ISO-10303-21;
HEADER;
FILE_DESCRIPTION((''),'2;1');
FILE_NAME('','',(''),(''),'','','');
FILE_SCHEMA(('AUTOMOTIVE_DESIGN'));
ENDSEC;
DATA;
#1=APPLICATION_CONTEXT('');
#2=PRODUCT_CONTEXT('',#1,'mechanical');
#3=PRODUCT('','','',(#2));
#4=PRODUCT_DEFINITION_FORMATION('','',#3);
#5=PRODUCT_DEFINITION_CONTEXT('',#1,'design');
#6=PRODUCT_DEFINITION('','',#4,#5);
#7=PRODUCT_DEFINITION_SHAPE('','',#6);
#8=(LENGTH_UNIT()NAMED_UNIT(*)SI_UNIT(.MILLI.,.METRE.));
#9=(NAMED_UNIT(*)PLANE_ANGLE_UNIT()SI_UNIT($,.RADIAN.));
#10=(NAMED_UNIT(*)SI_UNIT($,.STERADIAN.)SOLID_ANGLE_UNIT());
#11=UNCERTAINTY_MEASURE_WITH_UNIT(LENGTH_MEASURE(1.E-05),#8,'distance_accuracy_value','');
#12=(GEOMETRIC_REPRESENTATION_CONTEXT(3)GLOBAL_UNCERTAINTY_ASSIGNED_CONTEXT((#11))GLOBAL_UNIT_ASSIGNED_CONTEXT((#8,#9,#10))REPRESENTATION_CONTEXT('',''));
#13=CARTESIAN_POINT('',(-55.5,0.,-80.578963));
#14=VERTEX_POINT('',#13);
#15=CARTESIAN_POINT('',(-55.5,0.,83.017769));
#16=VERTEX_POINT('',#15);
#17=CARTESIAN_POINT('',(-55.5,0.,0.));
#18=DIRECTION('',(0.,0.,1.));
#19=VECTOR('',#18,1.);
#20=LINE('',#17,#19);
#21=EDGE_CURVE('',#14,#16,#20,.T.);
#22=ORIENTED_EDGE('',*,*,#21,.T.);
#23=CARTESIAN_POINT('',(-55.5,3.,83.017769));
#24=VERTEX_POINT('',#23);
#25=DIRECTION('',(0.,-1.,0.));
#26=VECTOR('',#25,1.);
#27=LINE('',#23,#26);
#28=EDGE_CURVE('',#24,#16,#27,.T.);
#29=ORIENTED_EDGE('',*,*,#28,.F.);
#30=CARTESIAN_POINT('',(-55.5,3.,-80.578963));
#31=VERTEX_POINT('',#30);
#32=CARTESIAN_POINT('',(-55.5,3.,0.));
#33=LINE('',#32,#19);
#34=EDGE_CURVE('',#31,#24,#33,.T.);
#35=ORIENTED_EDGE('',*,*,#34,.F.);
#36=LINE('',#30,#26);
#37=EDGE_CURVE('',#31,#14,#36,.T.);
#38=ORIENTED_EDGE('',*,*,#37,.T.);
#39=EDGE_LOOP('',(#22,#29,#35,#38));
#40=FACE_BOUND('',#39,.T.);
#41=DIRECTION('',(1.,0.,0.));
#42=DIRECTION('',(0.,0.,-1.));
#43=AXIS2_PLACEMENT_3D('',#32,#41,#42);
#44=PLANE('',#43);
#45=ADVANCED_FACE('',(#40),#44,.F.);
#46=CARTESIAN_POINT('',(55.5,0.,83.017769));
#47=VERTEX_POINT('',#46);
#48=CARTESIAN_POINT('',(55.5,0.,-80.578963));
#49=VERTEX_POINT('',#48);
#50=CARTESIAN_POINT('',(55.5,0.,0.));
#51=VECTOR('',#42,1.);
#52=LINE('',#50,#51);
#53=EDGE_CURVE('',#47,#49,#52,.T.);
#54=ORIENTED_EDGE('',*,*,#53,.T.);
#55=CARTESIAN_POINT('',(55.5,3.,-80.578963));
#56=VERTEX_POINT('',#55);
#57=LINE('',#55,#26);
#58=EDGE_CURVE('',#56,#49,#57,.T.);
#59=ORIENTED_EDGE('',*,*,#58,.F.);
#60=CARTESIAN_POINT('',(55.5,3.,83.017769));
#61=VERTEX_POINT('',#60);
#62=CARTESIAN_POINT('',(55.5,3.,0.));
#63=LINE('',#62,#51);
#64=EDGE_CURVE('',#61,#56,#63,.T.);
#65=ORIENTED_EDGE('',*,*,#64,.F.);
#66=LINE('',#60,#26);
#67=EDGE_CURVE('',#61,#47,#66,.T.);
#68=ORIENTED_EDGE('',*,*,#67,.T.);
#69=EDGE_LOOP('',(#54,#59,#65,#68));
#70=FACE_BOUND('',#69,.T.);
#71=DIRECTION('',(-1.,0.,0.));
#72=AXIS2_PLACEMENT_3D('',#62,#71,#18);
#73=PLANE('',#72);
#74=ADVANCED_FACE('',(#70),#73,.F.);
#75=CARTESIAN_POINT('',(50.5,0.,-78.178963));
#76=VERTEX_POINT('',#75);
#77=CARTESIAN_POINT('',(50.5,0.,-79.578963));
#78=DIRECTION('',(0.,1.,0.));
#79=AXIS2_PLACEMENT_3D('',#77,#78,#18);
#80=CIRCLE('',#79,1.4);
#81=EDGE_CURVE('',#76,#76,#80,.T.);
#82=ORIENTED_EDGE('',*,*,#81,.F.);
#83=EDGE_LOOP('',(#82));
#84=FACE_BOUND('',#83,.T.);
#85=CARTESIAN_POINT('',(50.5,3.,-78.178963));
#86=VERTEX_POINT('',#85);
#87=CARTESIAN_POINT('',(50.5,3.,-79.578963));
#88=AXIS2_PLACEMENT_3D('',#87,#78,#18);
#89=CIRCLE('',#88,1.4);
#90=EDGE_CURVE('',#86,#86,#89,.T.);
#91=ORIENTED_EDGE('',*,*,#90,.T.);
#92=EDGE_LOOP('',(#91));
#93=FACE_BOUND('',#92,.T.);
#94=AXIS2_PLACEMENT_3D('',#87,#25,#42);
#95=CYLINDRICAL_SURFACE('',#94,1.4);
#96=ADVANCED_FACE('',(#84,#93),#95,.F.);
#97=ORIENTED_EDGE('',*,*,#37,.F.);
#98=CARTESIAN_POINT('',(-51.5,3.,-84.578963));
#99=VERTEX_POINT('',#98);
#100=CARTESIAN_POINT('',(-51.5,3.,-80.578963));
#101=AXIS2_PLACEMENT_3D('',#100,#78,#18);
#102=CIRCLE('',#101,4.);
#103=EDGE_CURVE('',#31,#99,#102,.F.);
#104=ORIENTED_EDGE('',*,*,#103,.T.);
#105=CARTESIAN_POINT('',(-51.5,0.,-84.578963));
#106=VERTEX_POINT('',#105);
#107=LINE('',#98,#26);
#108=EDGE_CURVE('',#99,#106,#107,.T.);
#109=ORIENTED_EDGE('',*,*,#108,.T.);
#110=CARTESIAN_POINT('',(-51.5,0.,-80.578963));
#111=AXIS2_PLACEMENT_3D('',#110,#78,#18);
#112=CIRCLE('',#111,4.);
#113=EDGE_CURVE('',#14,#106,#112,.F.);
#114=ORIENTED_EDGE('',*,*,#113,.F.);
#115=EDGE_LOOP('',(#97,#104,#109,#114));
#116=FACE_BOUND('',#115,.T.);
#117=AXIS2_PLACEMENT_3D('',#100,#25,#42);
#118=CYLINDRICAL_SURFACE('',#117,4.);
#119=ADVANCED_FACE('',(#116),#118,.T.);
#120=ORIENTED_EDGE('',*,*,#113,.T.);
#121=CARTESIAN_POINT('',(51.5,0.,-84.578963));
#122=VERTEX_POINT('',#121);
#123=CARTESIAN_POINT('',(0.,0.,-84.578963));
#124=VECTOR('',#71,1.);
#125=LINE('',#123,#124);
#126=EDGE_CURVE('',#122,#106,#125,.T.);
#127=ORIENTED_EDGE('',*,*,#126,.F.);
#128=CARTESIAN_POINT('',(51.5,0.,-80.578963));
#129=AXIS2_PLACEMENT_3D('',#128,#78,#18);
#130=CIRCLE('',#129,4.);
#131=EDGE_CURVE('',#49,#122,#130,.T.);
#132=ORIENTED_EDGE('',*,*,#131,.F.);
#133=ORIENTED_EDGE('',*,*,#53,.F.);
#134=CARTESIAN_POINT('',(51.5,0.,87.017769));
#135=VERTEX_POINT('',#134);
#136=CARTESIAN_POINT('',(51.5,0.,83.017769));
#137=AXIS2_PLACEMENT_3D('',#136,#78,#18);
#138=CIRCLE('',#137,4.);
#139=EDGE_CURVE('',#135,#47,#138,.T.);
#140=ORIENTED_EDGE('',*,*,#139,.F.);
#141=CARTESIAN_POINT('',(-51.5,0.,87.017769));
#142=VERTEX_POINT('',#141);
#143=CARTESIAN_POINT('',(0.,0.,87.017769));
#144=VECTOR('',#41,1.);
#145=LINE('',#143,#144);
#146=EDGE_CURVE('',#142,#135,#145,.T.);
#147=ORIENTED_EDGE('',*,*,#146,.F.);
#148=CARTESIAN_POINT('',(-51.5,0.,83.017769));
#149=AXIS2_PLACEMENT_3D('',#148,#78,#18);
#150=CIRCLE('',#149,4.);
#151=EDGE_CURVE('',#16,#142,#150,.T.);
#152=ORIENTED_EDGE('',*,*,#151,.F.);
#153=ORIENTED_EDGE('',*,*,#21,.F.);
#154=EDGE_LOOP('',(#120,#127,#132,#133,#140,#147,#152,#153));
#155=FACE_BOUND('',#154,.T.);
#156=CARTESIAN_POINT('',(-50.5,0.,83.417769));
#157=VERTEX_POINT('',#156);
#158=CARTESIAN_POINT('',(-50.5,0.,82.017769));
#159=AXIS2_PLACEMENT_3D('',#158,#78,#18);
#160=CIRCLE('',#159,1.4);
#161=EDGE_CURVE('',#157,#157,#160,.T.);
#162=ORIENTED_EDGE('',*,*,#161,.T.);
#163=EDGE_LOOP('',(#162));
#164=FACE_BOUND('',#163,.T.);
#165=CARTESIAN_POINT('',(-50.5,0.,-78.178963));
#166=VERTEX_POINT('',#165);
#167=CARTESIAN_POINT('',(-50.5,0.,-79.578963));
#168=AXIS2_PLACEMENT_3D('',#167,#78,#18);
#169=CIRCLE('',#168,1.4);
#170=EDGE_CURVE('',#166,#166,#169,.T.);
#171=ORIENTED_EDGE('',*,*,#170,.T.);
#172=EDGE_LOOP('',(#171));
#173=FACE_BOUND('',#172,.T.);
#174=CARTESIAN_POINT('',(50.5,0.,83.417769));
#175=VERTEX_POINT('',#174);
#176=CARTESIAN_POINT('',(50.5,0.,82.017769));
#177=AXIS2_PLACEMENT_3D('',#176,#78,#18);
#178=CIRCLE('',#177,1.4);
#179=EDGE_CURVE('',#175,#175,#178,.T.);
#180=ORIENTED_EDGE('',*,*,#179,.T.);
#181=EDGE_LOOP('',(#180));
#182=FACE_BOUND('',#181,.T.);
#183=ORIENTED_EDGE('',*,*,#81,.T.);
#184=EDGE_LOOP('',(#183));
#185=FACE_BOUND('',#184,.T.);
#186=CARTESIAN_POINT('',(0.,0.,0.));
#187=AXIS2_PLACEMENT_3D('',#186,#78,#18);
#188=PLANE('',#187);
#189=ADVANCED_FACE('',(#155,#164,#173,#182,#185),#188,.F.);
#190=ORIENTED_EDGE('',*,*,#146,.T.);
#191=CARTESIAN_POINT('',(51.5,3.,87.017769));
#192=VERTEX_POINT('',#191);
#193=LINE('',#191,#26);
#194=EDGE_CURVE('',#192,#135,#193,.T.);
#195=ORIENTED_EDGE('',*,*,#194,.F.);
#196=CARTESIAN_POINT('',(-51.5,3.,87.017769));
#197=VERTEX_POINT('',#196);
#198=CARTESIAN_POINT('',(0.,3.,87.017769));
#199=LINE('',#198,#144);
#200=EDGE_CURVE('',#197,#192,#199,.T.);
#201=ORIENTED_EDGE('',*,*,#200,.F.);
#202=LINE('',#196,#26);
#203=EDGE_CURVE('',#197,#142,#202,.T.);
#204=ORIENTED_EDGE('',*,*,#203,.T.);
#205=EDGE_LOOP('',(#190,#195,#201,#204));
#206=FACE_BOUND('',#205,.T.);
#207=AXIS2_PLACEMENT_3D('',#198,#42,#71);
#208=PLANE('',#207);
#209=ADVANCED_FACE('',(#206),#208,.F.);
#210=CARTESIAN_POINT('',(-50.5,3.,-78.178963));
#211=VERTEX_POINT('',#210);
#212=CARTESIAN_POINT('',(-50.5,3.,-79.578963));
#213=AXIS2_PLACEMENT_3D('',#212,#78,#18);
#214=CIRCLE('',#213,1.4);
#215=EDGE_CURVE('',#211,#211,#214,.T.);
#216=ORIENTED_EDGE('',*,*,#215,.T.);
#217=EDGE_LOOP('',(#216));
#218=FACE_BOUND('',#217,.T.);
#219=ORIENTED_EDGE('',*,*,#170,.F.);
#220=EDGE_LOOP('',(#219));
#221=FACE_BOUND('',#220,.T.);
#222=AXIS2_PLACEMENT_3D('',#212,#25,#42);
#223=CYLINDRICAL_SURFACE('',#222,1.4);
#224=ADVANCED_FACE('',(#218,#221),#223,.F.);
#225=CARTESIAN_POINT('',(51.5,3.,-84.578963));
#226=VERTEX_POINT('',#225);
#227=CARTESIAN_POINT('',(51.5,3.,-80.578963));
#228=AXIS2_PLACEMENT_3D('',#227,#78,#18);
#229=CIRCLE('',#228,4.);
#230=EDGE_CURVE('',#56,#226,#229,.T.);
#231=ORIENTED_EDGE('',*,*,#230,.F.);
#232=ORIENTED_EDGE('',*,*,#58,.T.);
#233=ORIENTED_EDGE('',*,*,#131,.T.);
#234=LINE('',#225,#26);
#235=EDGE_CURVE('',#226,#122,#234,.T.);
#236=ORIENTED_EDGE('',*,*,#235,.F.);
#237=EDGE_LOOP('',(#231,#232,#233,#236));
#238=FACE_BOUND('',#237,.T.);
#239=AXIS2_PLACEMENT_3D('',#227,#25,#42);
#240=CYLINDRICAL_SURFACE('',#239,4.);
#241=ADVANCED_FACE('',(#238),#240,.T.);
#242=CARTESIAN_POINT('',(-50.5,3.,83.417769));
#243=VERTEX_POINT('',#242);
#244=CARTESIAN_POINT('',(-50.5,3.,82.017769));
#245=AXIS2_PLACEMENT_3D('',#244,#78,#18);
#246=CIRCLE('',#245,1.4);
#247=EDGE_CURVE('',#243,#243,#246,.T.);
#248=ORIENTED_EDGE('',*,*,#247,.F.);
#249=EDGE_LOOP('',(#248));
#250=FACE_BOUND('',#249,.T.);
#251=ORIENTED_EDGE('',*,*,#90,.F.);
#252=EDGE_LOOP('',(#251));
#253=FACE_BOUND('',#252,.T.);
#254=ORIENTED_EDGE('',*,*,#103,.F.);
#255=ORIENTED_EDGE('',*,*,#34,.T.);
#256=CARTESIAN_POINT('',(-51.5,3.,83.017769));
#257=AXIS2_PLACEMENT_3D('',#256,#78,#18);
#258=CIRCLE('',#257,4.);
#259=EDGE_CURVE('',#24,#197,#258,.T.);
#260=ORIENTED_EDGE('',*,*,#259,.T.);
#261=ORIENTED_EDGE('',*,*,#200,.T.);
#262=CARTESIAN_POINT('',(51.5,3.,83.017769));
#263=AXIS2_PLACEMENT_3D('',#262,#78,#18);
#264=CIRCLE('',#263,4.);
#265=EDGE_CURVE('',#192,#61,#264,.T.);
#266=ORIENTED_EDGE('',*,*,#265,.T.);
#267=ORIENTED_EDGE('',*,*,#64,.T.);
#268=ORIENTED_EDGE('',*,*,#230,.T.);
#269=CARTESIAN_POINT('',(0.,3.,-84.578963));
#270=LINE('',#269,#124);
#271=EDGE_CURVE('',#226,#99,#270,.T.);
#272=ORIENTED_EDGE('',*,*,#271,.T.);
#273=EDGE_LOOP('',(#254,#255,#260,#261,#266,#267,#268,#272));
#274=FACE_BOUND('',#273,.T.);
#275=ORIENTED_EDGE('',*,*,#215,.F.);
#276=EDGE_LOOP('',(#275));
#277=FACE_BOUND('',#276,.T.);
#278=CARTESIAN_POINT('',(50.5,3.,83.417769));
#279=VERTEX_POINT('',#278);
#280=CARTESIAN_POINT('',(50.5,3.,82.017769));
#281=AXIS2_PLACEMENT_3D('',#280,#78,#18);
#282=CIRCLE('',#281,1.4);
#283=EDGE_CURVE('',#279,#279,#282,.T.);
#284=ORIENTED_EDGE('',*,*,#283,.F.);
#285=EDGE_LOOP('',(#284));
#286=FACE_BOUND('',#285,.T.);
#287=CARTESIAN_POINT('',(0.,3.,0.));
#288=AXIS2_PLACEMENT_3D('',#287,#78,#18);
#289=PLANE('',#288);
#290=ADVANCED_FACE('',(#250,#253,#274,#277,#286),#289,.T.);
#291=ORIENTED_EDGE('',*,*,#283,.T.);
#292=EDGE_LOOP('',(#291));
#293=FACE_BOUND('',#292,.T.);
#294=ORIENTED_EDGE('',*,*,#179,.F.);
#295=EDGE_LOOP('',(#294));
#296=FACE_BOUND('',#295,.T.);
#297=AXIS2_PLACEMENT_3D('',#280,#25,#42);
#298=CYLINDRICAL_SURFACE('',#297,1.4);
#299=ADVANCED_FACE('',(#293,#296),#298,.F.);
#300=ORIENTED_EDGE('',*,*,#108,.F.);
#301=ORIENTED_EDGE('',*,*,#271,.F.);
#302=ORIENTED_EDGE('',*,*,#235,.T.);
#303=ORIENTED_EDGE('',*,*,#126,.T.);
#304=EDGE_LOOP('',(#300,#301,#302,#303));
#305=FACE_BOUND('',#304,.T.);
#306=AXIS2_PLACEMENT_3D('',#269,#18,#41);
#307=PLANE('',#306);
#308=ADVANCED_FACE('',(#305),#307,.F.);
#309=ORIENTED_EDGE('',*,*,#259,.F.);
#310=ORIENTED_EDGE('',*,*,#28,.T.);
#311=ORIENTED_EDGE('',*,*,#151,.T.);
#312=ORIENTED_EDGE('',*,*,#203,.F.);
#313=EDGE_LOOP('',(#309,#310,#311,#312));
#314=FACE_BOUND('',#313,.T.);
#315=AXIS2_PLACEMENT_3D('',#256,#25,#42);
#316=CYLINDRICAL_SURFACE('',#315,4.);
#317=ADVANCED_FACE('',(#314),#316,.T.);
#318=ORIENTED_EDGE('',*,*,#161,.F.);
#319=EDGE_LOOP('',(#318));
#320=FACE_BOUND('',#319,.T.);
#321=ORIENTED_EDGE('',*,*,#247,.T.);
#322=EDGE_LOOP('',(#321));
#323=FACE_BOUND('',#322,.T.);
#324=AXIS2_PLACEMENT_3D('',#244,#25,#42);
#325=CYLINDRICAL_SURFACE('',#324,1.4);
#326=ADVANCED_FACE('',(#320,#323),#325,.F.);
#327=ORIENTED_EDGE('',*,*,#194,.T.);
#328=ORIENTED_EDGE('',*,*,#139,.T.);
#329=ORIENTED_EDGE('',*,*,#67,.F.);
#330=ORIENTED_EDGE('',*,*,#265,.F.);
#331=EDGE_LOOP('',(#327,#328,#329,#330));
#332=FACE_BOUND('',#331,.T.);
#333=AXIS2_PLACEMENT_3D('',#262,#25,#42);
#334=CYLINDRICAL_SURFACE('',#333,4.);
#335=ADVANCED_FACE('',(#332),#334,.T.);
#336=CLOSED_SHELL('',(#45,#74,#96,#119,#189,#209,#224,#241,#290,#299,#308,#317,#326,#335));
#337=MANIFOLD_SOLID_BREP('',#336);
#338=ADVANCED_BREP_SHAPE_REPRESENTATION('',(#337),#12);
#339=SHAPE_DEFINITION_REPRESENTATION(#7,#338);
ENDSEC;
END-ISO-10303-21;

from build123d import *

# Parameters (mm, degrees)
SKETCH1_R           = 1.4
BOSS_EXTRUDE1_DEPTH = 3


with BuildPart() as part:
    # Sketch1 → Boss-Extrude1 (new body)
    with BuildSketch(Plane(origin=(0, 0, 0), x_dir=(1, 0, 0), z_dir=(0, 1, 0))):
        with BuildLine():
            ThreePointArc((-55.5, 80.578962649), (-54.328427125, 83.407389773), (-51.5, 84.578962649))
            Line((-51.5, 84.578962649), (51.5, 84.578962649))
            ThreePointArc((51.5, 84.578962649), (54.328427125, 83.407389773), (55.5, 80.578962649))
            Line((55.5, 80.578962649), (55.5, -83.017769116))
            ThreePointArc((55.5, -83.017769116), (54.328427125, -85.846196241), (51.5, -87.017769116))
            Line((51.5, -87.017769116), (-51.5, -87.017769116))
            ThreePointArc((-51.5, -87.017769116), (-54.328427125, -85.846196241), (-55.5, -83.017769116))
            Line((-55.5, -83.017769116), (-55.5, 80.578962649))
        make_face()
        with Locations(Location((-50.5, 79.578962649, 0), (0, 0, 270))):
            Circle(SKETCH1_R, mode=Mode.SUBTRACT)
        with Locations(Location((50.5, 79.578962649, 0), (0, 0, 270))):
            Circle(SKETCH1_R, mode=Mode.SUBTRACT)
        with Locations(Location((50.5, -82.017769116, 0), (0, 0, 270))):
            Circle(SKETCH1_R, mode=Mode.SUBTRACT)
        with Locations(Location((-50.5, -82.017769116, 0), (0, 0, 270))):
            Circle(SKETCH1_R, mode=Mode.SUBTRACT)
    extrude(amount=BOSS_EXTRUDE1_DEPTH)


solid = part.part
